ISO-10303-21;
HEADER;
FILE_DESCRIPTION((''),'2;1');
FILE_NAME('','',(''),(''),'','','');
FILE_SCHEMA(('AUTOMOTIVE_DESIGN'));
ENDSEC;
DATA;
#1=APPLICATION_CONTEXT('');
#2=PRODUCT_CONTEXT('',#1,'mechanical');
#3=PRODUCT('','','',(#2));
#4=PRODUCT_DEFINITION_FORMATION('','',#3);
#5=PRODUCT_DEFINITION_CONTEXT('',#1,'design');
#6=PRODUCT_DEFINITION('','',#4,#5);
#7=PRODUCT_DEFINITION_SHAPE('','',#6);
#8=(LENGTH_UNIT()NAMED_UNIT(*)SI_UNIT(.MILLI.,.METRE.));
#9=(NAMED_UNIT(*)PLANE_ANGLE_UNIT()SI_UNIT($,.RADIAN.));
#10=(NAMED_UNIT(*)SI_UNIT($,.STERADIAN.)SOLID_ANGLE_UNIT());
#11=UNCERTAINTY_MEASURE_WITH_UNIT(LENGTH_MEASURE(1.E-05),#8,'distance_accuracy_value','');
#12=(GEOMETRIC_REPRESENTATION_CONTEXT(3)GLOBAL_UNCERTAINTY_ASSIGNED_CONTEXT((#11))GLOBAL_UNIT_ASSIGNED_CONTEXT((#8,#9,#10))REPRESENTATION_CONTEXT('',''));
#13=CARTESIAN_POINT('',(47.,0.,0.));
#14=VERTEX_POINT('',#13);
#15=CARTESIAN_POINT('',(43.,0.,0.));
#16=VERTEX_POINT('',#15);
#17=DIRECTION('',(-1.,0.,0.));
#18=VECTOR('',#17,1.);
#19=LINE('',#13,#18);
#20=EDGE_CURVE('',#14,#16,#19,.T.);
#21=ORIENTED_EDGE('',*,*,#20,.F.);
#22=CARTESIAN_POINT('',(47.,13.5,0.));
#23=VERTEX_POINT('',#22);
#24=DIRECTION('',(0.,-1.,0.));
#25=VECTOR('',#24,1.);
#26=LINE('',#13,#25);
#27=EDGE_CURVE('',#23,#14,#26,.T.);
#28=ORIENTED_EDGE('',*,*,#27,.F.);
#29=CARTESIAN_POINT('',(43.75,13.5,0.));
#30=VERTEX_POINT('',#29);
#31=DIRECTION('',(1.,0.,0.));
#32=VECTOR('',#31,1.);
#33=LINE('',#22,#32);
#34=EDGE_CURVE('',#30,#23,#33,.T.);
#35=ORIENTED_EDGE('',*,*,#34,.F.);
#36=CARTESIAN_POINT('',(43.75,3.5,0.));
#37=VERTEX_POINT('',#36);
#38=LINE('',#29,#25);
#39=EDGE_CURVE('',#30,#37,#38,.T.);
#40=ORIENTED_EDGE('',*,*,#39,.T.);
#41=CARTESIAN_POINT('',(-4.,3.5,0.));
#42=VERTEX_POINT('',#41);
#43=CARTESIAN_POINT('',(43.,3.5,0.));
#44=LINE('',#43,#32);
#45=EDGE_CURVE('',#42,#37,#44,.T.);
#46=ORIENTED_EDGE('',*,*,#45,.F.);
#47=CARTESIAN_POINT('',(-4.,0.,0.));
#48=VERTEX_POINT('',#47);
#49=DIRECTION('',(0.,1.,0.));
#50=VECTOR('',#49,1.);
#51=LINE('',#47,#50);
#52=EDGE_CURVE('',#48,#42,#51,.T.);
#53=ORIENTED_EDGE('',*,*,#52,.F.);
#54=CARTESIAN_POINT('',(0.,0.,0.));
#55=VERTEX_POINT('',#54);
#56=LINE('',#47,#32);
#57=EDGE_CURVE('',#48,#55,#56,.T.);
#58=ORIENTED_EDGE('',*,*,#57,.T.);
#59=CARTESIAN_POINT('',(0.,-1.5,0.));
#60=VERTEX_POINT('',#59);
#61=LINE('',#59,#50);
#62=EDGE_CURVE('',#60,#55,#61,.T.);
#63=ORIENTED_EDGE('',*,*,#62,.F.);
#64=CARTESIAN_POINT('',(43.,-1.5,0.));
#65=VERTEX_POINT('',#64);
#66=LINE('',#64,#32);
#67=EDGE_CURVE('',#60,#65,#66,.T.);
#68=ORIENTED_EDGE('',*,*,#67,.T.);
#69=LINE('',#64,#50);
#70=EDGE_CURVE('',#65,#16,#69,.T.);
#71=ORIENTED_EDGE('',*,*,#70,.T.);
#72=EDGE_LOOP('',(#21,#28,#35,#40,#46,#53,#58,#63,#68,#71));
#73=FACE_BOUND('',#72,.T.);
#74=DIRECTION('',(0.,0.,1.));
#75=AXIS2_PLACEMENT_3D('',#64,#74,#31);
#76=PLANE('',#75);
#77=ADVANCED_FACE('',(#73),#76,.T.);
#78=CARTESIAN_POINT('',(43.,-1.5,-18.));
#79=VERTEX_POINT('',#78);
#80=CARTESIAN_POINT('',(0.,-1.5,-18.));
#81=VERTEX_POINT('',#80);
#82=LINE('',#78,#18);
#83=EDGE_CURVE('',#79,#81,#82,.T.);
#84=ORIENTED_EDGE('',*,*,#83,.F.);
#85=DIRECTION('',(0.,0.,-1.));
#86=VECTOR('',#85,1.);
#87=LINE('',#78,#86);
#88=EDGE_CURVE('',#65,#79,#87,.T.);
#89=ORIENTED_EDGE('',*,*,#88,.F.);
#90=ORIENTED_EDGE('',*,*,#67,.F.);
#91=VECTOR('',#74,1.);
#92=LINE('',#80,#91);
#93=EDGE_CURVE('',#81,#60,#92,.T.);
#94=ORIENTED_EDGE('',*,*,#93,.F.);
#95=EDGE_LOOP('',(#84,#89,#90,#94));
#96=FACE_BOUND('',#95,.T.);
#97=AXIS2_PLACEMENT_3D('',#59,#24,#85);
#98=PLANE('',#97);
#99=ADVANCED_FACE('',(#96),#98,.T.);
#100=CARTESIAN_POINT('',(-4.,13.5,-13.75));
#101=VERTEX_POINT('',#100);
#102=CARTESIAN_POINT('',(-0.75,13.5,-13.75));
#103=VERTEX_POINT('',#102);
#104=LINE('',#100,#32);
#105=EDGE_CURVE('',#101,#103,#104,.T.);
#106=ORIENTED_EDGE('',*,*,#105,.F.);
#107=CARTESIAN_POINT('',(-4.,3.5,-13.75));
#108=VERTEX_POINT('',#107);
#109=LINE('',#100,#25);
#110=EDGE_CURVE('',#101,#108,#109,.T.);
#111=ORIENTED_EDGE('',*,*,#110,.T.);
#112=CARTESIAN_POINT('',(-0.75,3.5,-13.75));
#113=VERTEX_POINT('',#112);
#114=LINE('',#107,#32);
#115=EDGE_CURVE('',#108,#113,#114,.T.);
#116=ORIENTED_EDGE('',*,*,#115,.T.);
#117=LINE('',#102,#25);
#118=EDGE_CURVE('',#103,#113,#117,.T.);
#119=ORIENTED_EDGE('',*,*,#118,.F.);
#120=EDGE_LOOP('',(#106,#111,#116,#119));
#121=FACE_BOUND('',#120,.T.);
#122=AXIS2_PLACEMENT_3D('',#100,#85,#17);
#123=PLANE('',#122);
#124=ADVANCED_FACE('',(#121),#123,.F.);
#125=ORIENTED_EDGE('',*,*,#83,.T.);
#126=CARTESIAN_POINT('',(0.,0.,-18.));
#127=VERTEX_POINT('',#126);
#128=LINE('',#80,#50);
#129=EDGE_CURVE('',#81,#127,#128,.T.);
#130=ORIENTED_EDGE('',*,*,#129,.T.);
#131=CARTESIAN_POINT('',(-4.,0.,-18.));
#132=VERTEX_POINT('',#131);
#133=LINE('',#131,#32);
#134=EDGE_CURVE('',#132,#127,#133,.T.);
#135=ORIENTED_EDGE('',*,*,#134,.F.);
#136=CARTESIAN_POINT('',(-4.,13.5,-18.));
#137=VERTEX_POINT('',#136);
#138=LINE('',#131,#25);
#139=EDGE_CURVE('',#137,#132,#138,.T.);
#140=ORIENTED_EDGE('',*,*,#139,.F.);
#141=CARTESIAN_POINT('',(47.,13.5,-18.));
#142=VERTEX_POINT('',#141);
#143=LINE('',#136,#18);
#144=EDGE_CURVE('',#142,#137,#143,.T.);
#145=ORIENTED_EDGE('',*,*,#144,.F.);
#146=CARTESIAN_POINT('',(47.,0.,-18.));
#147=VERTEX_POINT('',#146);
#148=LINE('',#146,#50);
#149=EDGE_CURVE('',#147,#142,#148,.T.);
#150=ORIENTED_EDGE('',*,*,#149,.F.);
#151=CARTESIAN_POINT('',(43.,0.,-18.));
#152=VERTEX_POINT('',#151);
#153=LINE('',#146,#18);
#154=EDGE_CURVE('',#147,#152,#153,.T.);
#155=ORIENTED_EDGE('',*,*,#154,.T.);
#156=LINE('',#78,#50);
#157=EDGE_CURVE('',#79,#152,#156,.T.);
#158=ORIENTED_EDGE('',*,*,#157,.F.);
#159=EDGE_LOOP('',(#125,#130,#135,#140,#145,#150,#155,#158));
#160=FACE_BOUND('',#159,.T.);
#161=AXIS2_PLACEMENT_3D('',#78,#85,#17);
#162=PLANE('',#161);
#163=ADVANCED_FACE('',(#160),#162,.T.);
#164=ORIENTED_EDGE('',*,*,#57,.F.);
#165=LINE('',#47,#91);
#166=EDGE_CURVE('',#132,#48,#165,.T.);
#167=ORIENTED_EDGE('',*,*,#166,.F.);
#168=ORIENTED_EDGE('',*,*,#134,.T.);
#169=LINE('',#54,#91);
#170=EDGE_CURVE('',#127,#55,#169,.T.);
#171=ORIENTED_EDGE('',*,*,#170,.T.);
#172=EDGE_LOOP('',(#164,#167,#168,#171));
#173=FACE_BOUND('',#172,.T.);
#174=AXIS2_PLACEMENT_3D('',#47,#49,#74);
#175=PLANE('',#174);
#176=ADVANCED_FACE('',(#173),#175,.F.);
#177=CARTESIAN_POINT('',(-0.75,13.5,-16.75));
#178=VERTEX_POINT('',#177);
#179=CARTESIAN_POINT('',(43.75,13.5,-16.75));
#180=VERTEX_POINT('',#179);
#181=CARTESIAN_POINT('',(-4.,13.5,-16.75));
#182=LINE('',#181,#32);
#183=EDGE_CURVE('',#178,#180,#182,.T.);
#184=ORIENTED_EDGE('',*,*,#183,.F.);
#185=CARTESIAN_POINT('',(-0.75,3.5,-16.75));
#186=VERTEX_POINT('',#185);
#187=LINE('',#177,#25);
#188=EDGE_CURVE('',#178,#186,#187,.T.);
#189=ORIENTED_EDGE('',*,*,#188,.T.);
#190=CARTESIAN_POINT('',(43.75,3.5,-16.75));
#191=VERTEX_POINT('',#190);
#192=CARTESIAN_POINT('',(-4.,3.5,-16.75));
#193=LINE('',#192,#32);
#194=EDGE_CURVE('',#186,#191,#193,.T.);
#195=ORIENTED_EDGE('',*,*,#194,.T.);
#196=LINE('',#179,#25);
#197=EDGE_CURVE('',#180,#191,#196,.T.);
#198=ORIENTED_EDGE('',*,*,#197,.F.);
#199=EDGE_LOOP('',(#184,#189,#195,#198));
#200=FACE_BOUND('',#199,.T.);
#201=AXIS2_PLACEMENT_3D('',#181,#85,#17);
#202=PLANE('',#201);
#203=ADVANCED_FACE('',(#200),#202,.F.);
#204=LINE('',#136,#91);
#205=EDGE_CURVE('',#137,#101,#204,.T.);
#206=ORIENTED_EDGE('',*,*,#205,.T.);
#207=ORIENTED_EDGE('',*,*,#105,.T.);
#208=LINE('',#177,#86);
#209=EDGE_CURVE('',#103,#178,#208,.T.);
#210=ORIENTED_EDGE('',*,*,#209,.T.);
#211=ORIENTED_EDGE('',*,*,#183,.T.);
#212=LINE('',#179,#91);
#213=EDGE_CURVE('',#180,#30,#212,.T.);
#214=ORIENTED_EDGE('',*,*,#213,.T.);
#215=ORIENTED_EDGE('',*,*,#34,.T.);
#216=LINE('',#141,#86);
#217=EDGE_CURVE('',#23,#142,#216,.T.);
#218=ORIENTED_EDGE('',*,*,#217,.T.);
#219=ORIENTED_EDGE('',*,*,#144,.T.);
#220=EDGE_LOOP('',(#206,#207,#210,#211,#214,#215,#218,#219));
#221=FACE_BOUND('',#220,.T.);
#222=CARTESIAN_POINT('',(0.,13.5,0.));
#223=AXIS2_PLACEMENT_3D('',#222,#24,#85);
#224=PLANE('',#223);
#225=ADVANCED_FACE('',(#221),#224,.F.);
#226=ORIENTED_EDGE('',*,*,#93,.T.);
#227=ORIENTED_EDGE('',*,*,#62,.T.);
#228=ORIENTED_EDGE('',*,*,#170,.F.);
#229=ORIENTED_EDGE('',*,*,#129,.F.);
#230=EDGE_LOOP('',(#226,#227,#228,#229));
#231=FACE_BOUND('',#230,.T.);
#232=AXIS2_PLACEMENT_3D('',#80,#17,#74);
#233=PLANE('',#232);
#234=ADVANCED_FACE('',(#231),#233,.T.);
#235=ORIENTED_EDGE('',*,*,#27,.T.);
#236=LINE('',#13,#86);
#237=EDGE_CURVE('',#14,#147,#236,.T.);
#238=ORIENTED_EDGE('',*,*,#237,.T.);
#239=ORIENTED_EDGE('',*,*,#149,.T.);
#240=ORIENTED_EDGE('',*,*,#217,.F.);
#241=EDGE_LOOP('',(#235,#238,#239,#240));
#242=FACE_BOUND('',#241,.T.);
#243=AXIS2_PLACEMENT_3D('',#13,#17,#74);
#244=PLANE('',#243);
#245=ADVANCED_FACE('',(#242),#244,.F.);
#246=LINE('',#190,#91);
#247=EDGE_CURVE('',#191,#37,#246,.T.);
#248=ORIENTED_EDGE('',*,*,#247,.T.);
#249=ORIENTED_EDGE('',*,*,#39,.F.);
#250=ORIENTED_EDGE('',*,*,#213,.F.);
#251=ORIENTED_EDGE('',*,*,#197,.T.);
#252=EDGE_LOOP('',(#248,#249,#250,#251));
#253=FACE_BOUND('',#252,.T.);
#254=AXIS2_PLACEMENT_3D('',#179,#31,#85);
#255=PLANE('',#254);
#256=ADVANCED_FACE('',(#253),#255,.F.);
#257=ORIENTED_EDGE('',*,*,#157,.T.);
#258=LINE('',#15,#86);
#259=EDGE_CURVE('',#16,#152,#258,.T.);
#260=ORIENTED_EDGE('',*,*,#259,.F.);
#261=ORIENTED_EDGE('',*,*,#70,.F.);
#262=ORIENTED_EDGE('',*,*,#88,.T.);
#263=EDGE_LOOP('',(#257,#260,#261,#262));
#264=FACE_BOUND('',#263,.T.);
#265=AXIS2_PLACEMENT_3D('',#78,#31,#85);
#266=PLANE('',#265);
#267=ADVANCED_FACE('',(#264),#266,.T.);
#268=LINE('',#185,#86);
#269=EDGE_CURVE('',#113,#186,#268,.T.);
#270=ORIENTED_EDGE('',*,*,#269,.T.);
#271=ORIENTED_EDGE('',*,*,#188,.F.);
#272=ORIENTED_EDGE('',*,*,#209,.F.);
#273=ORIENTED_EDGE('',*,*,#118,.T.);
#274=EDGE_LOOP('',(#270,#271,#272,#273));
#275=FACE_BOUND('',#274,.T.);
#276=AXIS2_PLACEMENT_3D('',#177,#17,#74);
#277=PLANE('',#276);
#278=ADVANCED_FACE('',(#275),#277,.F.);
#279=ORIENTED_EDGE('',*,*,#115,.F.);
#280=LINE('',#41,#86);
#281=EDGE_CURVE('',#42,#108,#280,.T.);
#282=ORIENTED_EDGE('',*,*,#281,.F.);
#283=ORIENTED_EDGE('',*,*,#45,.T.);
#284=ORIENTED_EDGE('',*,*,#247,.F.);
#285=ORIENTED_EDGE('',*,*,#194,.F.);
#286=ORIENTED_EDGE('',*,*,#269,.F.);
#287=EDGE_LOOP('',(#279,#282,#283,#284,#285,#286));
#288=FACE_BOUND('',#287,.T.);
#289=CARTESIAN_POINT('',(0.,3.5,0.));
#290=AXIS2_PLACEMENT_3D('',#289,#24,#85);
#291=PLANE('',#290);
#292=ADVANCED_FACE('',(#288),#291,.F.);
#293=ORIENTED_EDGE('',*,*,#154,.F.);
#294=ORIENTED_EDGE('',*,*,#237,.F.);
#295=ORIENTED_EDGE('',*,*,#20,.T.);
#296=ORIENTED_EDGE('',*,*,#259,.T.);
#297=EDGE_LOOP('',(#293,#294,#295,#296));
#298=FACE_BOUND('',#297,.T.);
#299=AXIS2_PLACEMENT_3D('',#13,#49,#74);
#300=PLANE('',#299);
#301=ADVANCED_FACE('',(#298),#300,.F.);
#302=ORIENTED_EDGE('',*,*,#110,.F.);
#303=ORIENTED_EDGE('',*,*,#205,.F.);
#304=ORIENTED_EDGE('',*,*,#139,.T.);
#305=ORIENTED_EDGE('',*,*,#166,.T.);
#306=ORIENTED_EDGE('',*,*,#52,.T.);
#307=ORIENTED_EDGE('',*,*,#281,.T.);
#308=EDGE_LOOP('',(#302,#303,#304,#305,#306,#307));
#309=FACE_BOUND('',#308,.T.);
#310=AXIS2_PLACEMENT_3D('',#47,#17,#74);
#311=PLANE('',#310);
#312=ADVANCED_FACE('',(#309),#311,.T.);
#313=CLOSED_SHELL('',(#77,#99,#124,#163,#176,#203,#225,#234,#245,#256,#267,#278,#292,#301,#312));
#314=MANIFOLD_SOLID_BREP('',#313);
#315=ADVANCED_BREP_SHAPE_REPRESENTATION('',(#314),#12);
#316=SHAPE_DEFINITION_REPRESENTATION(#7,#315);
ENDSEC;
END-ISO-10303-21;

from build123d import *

# Parameters (mm, degrees)
ESQUISSE2_W             = 43
ESQUISSE2_H             = 18
BOSS_EXTRU_1_DEPTH      = 3.5
BOSS_EXTRU_1_DEPTH_BACK = 1.5
ESQUISSE3_W             = 18
ESQUISSE3_H             = 3.5
BOSS_EXTRU_2_DEPTH      = 4
ESQUISSE4_W             = 18
ESQUISSE4_H             = 3.5
BOSS_EXTRU_3_DEPTH      = 4
ESQUISSE5_W             = 51
ESQUISSE5_H             = 1.25
BOSS_EXTRU_4_DEPTH      = 10
ESQUISSE6_W             = 3.25
ESQUISSE6_H             = 16.75
BOSS_EXTRU_5_DEPTH      = 10
ESQUISSE7_W             = 3.25
ESQUISSE7_H             = 3
BOSS_EXTRU_6_DEPTH      = 10


with BuildPart() as part:
    # Esquisse2 → Boss.-Extru.1 (new body, two sides)
    with BuildSketch(Plane(origin=(0, 0, 0), x_dir=(1, 0, 0), z_dir=(0, 1, 0))) as boss_extru_1_sk:
        with Locations((21.5, 9)):
            Rectangle(ESQUISSE2_W, ESQUISSE2_H)
    extrude(amount=BOSS_EXTRU_1_DEPTH)
    extrude(boss_extru_1_sk.sketch, amount=-BOSS_EXTRU_1_DEPTH_BACK)

    # Esquisse3 → Boss.-Extru.2 (add)
    with BuildSketch(Plane(origin=(43, 0, 0), x_dir=(0, 0, -1), z_dir=(1, 0, 0))):
        with Locations((9, 1.75)):
            Rectangle(ESQUISSE3_W, ESQUISSE3_H)
    extrude(amount=BOSS_EXTRU_2_DEPTH)

    # Esquisse4 → Boss.-Extru.3 (add)
    with BuildSketch(Plane.ZY):
        with Locations((-9, 1.75)):
            Rectangle(ESQUISSE4_W, ESQUISSE4_H)
    extrude(amount=BOSS_EXTRU_3_DEPTH)

    # Esquisse5 → Boss.-Extru.4 (add)
    with BuildSketch(Plane(origin=(0, 3.5, 0), x_dir=(1, 0, 0), z_dir=(0, 1, 0))):
        with Locations((21.5, 17.375)):
            Rectangle(ESQUISSE5_W, ESQUISSE5_H)
    extrude(amount=BOSS_EXTRU_4_DEPTH)

    # Esquisse6 → Boss.-Extru.5 (add)
    with BuildSketch(Plane(origin=(0, 3.5, 0), x_dir=(1, 0, 0), z_dir=(0, 1, 0))):
        with Locations((45.375, 8.375)):
            Rectangle(ESQUISSE6_W, ESQUISSE6_H)
    extrude(amount=BOSS_EXTRU_5_DEPTH)

    # Esquisse7 → Boss.-Extru.6 (add)
    with BuildSketch(Plane(origin=(0, 3.5, 0), x_dir=(1, 0, 0), z_dir=(0, 1, 0))):
        with Locations((-2.375, 15.25)):
            Rectangle(ESQUISSE7_W, ESQUISSE7_H)
    extrude(amount=BOSS_EXTRU_6_DEPTH)


solid = part.part
